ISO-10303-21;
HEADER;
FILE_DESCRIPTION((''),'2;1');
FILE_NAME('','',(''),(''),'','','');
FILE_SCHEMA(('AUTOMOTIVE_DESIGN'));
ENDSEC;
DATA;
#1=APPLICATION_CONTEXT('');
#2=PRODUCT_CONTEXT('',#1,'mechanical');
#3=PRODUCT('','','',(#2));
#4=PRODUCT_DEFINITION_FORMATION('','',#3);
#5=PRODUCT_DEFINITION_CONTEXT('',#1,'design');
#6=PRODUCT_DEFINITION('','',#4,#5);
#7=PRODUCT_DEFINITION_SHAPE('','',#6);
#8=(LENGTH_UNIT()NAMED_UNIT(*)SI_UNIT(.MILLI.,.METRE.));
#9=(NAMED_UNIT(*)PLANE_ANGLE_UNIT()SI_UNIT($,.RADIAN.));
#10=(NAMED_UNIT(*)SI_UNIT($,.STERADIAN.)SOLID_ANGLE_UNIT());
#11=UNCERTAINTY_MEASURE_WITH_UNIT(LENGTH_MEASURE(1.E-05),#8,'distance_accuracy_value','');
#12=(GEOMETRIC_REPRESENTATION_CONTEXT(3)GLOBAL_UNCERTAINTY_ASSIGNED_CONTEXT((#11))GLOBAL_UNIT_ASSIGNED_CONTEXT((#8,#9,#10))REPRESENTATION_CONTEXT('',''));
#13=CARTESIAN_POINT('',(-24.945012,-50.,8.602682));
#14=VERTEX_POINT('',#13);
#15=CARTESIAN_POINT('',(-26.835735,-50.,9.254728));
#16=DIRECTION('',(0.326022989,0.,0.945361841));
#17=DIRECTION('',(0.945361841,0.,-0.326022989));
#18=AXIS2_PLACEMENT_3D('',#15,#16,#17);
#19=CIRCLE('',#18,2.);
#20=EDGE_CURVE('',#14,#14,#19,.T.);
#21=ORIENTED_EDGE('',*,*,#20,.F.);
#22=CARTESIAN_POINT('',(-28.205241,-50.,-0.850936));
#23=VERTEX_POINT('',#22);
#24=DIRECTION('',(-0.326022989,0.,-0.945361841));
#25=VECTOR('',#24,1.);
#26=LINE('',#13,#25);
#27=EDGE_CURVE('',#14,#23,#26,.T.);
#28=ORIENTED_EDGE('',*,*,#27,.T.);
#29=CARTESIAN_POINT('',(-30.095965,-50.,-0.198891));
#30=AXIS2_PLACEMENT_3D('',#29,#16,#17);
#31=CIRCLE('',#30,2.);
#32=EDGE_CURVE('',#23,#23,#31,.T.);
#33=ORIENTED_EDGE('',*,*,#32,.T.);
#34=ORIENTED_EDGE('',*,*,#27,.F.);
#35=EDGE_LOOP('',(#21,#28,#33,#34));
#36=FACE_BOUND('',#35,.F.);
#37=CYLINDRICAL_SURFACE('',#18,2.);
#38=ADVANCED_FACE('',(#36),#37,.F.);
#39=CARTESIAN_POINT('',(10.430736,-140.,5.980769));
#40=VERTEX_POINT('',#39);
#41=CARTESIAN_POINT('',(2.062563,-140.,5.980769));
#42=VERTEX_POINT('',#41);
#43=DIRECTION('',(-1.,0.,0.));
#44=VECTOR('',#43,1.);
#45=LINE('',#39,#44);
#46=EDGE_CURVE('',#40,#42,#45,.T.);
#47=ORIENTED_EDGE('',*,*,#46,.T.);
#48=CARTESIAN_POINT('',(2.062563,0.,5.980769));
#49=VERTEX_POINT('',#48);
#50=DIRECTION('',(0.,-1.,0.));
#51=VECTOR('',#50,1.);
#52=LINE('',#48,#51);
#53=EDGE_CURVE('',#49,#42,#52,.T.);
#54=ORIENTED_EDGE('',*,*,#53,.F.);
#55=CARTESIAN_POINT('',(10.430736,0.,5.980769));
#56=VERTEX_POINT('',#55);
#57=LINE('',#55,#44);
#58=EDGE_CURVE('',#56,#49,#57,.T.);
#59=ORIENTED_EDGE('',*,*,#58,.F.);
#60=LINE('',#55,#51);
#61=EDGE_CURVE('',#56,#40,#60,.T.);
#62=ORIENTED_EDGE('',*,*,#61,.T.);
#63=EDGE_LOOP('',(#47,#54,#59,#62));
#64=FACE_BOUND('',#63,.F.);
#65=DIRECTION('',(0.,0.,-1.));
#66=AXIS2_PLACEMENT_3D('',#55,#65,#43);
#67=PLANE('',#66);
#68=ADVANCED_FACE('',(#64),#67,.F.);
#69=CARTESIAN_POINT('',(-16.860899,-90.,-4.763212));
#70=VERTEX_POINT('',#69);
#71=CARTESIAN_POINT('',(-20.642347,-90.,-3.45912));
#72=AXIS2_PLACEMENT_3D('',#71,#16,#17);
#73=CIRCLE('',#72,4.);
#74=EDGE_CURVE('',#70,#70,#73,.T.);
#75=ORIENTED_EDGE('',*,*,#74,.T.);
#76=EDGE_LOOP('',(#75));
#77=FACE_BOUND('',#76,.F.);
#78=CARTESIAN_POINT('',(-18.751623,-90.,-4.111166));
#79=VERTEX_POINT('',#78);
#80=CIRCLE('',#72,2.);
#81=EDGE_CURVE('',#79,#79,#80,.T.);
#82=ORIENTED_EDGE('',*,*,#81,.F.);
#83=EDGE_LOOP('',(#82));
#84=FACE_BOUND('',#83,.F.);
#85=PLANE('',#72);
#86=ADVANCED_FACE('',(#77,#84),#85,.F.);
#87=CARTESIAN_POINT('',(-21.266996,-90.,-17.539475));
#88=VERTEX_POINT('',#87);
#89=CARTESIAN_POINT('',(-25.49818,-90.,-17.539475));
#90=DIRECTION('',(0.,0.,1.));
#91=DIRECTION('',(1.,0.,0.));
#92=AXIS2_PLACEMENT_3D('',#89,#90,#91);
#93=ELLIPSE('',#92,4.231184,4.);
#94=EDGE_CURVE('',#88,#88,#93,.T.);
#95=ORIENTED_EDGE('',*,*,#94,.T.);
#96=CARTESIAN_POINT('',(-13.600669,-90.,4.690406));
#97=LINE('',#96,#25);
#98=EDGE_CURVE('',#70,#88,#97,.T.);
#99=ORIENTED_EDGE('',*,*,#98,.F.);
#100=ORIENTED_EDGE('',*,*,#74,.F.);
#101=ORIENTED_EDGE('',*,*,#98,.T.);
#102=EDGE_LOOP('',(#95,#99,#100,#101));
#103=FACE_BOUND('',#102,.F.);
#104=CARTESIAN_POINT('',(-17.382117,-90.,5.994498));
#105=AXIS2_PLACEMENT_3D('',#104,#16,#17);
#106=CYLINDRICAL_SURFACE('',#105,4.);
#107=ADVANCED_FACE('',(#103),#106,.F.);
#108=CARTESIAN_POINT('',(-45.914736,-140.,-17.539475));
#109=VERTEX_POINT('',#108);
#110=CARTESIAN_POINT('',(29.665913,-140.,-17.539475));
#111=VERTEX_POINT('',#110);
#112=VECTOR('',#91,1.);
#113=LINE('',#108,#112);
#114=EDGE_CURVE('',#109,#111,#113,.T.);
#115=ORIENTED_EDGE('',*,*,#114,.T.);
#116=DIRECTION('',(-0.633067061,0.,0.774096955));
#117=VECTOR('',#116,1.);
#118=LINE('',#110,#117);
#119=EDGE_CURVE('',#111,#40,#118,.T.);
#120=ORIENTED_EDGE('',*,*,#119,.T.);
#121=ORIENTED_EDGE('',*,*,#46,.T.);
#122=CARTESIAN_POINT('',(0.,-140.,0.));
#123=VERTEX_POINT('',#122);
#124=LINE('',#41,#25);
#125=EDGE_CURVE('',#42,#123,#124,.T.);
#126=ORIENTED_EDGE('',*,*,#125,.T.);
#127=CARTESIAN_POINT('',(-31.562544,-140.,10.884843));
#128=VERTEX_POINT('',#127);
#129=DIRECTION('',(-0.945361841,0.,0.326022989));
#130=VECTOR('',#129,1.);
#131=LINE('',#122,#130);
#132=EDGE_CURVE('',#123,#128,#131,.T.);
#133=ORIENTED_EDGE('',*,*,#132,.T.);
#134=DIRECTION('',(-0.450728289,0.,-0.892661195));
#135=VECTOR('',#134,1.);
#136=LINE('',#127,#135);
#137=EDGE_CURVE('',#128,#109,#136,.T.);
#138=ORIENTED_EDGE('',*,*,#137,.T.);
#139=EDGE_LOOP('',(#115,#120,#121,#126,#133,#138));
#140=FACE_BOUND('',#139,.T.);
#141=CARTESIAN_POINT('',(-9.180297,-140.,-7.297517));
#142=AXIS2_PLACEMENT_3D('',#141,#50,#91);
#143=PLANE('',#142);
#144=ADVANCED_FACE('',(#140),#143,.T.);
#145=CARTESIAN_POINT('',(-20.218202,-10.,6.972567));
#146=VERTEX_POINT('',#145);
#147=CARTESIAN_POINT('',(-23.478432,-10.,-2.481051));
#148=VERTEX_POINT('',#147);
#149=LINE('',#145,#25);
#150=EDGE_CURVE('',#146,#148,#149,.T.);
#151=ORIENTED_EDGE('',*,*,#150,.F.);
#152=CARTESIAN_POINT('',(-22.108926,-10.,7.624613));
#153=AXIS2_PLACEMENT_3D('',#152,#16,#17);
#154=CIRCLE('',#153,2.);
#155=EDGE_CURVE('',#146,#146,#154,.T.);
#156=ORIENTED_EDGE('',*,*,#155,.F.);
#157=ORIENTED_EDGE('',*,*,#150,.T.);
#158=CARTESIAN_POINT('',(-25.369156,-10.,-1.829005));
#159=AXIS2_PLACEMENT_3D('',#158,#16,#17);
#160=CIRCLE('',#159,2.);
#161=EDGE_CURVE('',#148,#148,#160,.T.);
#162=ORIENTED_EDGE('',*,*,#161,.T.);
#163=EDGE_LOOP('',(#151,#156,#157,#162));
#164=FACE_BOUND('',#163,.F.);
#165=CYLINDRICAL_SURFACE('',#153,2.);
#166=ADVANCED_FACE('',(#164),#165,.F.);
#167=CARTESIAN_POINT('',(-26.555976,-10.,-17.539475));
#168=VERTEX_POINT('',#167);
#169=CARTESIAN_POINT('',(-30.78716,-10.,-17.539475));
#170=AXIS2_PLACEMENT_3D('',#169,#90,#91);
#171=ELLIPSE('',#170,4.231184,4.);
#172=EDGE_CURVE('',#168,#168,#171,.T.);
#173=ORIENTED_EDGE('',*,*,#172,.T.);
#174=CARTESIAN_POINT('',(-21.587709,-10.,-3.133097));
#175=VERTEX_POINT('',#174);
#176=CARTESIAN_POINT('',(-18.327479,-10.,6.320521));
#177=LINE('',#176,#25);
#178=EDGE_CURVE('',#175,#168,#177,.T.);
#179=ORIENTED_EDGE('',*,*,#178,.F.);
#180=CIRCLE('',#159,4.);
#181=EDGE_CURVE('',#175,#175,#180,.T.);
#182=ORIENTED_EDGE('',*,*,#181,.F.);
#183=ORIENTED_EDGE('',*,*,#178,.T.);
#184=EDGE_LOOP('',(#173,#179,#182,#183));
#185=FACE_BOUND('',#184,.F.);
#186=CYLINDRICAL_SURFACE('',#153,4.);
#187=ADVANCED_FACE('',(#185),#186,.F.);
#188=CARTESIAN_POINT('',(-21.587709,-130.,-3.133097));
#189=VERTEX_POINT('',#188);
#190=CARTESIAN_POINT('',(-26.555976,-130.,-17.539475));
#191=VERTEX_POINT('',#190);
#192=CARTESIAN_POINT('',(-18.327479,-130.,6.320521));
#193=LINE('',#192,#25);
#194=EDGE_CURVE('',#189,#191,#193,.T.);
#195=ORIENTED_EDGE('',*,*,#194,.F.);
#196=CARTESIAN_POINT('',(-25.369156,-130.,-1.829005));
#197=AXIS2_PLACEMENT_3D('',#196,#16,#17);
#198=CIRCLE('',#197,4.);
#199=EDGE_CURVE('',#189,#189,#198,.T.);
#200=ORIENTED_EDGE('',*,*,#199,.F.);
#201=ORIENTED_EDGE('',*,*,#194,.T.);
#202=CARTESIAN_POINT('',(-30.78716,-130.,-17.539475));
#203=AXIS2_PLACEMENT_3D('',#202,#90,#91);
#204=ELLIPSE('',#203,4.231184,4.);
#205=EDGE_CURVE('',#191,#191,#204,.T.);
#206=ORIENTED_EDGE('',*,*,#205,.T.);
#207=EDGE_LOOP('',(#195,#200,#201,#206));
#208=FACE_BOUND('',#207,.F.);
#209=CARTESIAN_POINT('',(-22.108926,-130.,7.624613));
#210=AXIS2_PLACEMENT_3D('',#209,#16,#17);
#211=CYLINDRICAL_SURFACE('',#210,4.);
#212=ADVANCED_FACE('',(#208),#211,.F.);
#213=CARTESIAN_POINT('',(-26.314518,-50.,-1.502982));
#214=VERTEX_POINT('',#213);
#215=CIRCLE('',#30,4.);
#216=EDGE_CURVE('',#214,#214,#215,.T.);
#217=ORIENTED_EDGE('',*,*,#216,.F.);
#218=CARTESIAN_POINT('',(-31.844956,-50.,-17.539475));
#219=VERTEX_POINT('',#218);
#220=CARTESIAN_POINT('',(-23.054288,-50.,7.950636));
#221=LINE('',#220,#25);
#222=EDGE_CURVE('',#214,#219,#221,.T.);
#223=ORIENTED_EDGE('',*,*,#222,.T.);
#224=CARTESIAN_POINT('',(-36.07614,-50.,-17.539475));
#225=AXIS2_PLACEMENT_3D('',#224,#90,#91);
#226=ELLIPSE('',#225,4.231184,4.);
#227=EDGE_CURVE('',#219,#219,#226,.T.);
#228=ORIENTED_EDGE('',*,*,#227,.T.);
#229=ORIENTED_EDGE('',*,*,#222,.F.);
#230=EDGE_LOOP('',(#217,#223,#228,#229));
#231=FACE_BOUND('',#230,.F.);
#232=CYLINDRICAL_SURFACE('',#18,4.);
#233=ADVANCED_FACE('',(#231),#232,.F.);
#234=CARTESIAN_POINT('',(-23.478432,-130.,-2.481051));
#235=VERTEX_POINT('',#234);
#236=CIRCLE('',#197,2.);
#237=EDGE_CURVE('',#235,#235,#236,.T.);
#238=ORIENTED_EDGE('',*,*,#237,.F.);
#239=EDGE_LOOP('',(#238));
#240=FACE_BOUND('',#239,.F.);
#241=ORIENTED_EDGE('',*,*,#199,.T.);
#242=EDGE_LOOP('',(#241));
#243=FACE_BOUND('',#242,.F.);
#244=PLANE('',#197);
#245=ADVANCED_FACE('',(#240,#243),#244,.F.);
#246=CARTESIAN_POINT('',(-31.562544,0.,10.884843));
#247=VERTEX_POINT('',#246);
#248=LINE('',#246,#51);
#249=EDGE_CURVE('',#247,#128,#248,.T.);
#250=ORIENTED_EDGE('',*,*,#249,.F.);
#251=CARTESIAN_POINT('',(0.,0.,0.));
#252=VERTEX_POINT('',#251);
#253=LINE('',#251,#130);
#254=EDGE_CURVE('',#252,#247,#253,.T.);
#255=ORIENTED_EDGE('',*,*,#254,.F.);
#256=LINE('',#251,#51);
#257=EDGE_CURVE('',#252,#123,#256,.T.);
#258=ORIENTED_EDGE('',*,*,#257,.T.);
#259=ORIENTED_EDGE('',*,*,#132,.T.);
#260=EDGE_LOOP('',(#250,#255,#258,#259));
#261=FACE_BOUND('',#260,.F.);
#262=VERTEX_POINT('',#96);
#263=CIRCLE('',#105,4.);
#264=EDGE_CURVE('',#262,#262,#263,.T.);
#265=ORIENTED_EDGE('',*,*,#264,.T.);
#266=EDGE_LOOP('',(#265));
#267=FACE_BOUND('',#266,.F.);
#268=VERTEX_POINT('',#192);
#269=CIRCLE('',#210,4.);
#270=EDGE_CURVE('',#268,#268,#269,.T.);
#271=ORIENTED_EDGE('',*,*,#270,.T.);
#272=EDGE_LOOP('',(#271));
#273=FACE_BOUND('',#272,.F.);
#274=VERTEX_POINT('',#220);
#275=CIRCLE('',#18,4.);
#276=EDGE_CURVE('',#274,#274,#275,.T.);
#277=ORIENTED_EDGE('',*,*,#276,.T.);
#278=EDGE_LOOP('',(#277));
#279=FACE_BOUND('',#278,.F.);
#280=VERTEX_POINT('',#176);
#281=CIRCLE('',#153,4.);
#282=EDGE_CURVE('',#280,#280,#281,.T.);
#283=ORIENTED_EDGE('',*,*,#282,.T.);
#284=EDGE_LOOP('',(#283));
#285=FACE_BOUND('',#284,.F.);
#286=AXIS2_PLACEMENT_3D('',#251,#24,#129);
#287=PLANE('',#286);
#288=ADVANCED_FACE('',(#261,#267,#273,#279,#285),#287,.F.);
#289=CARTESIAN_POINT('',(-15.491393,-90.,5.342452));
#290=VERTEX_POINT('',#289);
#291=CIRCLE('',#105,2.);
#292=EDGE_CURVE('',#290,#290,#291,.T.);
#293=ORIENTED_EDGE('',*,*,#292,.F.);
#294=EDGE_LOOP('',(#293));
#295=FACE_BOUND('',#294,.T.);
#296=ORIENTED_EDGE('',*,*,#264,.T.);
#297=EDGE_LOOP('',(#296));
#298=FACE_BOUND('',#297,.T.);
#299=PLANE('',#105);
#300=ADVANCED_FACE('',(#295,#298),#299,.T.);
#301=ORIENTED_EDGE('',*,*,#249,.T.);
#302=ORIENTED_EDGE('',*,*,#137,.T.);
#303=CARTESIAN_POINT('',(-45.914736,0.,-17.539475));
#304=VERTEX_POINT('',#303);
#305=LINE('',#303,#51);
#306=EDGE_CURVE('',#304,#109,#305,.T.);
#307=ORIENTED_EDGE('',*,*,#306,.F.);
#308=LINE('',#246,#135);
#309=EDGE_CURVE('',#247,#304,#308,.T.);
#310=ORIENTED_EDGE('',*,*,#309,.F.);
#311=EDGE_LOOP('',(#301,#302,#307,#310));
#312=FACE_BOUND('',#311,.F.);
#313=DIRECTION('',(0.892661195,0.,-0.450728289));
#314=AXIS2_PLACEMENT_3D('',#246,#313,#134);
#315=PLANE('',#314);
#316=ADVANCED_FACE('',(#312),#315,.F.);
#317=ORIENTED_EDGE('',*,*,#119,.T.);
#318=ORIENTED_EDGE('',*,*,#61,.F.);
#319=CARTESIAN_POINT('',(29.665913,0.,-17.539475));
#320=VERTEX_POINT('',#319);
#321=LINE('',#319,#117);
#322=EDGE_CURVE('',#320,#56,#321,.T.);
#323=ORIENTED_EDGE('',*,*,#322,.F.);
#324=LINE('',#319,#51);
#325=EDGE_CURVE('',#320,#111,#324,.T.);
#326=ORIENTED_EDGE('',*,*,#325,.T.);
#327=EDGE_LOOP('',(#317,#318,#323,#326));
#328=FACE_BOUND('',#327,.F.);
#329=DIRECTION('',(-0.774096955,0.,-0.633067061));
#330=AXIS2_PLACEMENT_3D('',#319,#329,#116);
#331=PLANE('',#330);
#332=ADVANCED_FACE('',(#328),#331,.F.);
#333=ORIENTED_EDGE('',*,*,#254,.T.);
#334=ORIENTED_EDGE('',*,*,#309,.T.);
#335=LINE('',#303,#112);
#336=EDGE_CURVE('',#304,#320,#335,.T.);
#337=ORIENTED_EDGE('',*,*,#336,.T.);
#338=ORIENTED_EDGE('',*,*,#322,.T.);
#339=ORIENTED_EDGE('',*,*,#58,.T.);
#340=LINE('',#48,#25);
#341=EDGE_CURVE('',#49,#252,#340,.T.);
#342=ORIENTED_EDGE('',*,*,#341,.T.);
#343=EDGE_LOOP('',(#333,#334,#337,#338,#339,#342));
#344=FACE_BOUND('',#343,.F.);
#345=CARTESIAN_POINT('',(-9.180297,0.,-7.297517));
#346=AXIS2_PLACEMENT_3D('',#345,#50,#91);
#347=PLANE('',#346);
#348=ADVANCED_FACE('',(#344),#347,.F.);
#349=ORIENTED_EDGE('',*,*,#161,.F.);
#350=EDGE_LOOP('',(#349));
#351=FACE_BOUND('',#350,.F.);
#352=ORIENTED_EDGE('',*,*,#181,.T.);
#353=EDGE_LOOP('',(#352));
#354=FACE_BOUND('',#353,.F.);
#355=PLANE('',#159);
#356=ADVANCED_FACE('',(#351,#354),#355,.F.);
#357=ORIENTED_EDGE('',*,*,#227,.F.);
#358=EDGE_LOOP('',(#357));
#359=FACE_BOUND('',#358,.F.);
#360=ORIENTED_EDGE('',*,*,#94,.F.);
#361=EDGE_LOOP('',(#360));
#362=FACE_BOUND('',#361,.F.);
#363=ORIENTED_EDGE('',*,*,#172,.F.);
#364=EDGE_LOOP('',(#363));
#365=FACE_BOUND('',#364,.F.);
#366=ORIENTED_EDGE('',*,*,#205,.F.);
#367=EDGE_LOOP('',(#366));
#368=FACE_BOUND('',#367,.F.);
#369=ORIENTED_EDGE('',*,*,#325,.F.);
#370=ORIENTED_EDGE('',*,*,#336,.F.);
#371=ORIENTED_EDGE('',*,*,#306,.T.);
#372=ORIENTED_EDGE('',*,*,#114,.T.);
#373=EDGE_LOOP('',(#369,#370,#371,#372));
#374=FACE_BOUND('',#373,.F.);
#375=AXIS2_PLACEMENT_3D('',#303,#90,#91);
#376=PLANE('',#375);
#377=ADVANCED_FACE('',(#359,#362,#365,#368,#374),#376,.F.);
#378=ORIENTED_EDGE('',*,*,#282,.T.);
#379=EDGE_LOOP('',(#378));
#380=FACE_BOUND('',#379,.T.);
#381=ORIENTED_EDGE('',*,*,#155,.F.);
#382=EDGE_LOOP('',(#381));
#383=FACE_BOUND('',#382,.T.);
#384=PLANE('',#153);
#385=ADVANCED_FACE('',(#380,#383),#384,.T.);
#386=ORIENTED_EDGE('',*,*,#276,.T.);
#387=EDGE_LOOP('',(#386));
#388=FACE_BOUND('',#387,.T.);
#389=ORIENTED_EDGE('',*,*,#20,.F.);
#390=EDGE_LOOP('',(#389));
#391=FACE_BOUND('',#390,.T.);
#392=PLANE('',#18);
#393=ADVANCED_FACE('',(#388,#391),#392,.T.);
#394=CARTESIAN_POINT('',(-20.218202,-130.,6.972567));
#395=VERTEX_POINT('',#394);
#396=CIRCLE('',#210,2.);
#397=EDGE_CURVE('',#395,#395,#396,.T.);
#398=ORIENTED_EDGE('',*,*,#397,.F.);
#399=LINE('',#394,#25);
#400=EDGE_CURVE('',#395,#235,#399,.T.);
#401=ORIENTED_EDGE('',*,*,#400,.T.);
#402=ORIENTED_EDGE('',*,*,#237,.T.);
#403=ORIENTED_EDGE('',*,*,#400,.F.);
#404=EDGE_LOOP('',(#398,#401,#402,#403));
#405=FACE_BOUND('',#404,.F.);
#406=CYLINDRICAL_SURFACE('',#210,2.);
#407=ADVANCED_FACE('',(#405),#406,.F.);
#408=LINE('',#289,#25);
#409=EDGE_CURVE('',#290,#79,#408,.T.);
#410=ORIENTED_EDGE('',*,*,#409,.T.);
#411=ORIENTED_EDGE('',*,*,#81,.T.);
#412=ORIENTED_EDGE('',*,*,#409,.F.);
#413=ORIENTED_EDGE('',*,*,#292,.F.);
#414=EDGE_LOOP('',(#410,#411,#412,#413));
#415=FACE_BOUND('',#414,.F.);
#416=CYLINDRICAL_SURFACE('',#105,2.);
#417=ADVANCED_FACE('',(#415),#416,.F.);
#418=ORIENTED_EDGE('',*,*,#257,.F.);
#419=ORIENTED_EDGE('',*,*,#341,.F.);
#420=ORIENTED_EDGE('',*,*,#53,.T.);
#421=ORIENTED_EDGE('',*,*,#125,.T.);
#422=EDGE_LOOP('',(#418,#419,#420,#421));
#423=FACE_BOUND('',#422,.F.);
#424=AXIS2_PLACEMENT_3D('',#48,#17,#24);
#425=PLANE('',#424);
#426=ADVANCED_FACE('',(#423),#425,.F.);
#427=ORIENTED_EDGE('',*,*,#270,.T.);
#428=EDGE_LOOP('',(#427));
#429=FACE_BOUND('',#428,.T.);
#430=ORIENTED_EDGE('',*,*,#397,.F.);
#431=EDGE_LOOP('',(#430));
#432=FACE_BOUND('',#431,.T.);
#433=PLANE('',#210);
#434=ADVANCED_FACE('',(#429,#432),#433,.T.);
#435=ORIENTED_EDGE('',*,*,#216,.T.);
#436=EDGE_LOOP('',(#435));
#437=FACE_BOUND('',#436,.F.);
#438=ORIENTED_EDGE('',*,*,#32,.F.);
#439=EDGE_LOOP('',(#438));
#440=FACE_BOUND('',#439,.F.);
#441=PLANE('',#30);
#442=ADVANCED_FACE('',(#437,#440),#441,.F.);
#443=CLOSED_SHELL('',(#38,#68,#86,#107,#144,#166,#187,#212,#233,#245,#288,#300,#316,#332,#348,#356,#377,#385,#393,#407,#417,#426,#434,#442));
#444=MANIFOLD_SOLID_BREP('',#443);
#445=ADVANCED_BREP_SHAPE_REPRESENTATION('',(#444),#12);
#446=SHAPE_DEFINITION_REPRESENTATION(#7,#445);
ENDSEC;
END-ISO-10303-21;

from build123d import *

# Parameters (mm, degrees)
F1_DEPTH = 140
F2_R     = 4
F3_DEPTH = 30
F4_R     = 4
F4_R_2   = 2
F5_DEPTH = 10


with BuildPart() as f1:
    # F0 (on Front) → F1 (new body)
    with BuildSketch(Plane.XZ):
        Polygon((2.0625628796, 5.9807691723), (0, 0), (-31.5625444055, 10.8848428354), (-45.9147356451, -17.5394751132), (29.6659134328, -17.5394751132), (10.4307364672, 5.9807691723), align=None)
    extrude(amount=F1_DEPTH)

    # F2 (on face) → F3 (cut)
    with BuildSketch(Plane(origin=(0, 0, 0), x_dir=(0.9453618412, 0, -0.3260229889), z_dir=(0.3260229889, 0, 0.9453618412))):
        with Locations((-23.3867340855, -10)):
            Circle(F2_R)
        with Locations((-28.3867340855, -50)):
            Circle(F2_R)
        with Locations((-23.3867340855, -130)):
            Circle(F2_R)
        with Locations((-18.3867340855, -90)):
            Circle(F2_R)
    extrude(amount=-F3_DEPTH, mode=Mode.SUBTRACT)

    # F4 (on face) → F5 (join)
    with BuildSketch(Plane(origin=(0, 0, 0), x_dir=(0.9453618412, 0, -0.3260229889), z_dir=(0.3260229889, 0, 0.9453618412))):
        with Locations((-23.3867340855, -10)):
            Circle(F4_R)
        with Locations((-23.3867340855, -10)):
            Circle(F4_R_2, mode=Mode.SUBTRACT)
        with Locations((-23.3867340855, -130)):
            Circle(F4_R)
        with Locations((-23.3867340855, -130)):
            Circle(F4_R_2, mode=Mode.SUBTRACT)
        with Locations((-28.3867340855, -50)):
            Circle(F4_R)
        with Locations((-28.3867340855, -50)):
            Circle(F4_R_2, mode=Mode.SUBTRACT)
        with Locations((-18.3867340855, -90)):
            Circle(F4_R)
        with Locations((-18.3867340855, -90)):
            Circle(F4_R_2, mode=Mode.SUBTRACT)
    extrude(amount=-F5_DEPTH)


solid = f1.part
